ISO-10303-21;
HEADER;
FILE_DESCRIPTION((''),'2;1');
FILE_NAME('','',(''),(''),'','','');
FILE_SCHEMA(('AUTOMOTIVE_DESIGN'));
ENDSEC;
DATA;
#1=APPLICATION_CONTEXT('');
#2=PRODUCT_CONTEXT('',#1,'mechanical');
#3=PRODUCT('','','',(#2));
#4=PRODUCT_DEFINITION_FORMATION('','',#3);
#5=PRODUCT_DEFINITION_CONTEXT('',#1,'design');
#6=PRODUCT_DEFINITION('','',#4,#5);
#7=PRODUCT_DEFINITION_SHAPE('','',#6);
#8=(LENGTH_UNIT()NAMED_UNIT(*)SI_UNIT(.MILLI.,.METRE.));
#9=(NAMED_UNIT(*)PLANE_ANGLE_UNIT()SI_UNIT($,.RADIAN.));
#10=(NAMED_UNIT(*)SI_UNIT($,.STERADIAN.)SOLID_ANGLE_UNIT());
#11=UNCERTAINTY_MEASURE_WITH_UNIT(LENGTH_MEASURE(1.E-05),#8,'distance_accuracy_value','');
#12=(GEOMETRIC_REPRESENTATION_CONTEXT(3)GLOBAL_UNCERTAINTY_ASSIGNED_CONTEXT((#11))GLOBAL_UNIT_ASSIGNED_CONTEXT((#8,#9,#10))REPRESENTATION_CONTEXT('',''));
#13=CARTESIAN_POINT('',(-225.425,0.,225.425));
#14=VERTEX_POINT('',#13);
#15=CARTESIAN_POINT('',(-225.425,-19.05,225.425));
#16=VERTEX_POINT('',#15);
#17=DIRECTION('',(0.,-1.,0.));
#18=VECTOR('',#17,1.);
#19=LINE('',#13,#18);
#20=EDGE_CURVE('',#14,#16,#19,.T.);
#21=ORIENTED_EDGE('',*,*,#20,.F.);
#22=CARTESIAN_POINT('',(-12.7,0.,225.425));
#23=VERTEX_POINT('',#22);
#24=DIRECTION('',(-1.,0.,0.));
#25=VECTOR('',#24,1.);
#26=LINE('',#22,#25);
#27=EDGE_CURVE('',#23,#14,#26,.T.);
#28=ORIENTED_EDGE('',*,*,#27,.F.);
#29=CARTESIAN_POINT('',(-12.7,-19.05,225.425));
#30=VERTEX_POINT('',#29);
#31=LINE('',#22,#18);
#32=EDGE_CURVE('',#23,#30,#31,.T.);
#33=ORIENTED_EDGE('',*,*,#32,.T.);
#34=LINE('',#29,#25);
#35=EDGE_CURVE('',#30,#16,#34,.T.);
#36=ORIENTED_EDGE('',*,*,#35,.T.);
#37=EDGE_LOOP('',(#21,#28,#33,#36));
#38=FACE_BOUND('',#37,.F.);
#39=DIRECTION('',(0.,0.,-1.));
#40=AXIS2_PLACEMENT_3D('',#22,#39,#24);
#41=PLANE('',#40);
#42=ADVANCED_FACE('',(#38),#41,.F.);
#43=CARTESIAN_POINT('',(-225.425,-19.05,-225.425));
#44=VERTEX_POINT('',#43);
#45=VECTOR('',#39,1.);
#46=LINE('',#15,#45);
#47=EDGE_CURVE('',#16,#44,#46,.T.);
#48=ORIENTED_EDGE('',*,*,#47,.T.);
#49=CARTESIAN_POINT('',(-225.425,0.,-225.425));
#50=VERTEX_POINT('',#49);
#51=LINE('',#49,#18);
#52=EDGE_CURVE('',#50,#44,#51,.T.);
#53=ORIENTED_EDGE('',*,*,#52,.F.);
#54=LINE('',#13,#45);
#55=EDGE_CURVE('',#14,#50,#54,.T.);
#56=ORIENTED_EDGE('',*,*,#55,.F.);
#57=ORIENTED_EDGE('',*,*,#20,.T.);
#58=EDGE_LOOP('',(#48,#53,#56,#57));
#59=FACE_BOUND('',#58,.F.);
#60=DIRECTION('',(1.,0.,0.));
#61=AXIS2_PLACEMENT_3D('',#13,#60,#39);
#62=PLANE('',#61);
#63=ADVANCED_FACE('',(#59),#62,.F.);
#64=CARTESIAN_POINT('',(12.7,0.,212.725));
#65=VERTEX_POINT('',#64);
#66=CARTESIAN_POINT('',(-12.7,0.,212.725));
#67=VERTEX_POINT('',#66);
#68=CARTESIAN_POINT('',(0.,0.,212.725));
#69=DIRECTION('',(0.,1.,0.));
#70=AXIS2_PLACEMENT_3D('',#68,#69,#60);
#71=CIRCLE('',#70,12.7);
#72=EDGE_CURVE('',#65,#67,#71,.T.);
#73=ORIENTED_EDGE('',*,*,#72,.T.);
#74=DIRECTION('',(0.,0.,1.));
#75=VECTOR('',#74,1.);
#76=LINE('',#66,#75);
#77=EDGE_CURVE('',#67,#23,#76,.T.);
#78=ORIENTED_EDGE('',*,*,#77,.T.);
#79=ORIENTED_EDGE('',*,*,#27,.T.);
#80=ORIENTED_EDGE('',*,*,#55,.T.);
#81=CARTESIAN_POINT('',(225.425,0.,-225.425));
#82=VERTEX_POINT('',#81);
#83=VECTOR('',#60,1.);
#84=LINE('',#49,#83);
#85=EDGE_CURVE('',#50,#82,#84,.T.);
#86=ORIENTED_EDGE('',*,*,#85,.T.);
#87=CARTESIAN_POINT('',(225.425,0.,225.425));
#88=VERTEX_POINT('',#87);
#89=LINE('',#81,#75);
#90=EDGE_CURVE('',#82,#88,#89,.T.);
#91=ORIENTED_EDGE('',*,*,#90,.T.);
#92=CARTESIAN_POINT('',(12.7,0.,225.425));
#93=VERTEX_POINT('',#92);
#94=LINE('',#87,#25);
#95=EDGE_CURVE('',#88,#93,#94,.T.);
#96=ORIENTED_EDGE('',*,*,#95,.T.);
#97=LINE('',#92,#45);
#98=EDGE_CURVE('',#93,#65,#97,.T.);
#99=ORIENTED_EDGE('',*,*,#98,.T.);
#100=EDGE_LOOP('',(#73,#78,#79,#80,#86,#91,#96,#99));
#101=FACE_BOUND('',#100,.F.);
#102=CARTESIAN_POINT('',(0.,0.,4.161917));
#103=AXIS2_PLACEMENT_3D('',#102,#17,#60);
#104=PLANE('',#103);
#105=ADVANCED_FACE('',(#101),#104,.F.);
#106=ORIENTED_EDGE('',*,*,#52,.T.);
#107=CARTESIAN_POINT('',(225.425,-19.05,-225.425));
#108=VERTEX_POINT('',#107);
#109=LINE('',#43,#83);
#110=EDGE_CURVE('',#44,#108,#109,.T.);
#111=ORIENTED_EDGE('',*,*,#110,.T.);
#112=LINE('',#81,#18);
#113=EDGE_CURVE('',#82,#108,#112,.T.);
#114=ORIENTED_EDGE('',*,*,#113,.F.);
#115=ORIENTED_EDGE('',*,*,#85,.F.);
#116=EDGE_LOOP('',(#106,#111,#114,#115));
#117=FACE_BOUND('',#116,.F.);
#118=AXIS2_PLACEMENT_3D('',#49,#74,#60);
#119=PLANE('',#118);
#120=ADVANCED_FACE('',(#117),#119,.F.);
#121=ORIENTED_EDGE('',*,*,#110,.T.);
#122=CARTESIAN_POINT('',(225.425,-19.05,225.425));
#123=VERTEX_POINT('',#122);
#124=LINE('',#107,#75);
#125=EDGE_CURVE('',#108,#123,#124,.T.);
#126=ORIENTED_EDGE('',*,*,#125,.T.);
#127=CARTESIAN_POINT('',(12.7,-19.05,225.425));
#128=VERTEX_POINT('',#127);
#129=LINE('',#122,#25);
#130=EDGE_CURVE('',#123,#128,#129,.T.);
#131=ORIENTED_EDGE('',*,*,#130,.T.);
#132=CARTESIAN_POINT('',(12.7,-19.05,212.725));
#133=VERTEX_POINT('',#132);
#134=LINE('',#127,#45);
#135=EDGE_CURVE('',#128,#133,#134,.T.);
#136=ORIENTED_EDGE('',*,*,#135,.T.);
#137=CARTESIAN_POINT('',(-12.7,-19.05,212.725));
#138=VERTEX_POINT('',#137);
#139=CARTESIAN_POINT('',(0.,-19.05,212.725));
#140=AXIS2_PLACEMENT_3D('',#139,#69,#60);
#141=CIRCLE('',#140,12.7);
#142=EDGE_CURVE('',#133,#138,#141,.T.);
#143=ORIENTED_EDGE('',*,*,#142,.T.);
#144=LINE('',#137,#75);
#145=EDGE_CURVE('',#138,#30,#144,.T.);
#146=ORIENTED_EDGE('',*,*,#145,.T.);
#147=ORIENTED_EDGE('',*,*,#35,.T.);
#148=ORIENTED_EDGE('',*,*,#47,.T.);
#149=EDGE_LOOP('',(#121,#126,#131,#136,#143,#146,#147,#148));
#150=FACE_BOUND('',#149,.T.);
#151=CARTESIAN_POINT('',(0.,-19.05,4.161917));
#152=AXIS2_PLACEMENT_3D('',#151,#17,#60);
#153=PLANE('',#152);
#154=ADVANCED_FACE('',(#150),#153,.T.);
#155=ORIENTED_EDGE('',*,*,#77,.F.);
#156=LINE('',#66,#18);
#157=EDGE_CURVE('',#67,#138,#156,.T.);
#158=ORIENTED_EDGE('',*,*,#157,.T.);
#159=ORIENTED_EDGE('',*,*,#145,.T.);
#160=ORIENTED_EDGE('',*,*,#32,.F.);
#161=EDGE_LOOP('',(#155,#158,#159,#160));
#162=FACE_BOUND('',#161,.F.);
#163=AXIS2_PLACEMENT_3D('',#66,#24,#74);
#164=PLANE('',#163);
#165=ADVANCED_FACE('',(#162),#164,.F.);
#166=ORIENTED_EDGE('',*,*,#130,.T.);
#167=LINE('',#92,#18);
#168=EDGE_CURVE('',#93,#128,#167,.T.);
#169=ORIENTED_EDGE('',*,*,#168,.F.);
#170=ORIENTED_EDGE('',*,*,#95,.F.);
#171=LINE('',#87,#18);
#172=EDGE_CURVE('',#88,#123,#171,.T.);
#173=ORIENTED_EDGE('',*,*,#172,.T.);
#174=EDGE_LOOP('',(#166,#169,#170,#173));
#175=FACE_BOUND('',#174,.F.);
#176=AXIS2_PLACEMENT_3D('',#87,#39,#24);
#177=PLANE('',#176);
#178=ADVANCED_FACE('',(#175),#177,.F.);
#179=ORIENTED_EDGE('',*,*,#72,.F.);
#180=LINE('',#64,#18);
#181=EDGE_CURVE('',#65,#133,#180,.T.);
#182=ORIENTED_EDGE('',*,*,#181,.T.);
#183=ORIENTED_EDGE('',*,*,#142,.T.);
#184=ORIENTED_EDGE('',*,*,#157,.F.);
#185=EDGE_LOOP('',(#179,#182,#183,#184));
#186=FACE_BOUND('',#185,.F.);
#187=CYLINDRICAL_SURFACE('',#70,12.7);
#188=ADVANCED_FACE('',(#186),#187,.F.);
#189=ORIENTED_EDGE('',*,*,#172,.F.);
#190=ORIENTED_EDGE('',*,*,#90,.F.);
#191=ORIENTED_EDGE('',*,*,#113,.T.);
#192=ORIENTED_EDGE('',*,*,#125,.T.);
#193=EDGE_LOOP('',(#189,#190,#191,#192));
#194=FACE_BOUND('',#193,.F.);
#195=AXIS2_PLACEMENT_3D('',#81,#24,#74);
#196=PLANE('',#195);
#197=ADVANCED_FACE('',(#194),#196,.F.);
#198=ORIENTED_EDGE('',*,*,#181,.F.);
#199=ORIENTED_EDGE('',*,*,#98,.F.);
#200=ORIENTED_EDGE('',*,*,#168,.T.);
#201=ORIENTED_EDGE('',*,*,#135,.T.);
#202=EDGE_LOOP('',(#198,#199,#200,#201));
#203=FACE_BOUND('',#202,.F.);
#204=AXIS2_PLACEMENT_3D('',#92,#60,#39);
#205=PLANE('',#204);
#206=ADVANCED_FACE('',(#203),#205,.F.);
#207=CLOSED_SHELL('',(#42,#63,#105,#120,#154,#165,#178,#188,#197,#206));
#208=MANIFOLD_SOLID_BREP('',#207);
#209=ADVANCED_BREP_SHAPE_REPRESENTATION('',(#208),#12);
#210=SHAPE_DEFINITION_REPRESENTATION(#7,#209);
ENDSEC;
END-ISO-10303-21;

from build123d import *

# Parameters (mm, degrees)
F1_DEPTH = 19.05


with BuildPart() as f1:
    # F0 (on Front) → F1 (new body)
    with BuildSketch(Plane.XZ):
        with BuildLine():
            Line((225.425, -225.425), (225.425, 225.425))
            Line((225.425, 225.425), (12.7, 225.425))
            Line((12.7, 225.425), (12.7, 212.725))
            ThreePointArc((12.7, 212.725), (0, 200.025), (-12.7, 212.725))
            Line((-12.7, 212.725), (-12.7, 225.425))
            Line((-12.7, 225.425), (-225.425, 225.425))
            Line((-225.425, 225.425), (-225.425, -225.425))
            Line((-225.425, -225.425), (225.425, -225.425))
        make_face()
    extrude(amount=F1_DEPTH)


solid = f1.part
